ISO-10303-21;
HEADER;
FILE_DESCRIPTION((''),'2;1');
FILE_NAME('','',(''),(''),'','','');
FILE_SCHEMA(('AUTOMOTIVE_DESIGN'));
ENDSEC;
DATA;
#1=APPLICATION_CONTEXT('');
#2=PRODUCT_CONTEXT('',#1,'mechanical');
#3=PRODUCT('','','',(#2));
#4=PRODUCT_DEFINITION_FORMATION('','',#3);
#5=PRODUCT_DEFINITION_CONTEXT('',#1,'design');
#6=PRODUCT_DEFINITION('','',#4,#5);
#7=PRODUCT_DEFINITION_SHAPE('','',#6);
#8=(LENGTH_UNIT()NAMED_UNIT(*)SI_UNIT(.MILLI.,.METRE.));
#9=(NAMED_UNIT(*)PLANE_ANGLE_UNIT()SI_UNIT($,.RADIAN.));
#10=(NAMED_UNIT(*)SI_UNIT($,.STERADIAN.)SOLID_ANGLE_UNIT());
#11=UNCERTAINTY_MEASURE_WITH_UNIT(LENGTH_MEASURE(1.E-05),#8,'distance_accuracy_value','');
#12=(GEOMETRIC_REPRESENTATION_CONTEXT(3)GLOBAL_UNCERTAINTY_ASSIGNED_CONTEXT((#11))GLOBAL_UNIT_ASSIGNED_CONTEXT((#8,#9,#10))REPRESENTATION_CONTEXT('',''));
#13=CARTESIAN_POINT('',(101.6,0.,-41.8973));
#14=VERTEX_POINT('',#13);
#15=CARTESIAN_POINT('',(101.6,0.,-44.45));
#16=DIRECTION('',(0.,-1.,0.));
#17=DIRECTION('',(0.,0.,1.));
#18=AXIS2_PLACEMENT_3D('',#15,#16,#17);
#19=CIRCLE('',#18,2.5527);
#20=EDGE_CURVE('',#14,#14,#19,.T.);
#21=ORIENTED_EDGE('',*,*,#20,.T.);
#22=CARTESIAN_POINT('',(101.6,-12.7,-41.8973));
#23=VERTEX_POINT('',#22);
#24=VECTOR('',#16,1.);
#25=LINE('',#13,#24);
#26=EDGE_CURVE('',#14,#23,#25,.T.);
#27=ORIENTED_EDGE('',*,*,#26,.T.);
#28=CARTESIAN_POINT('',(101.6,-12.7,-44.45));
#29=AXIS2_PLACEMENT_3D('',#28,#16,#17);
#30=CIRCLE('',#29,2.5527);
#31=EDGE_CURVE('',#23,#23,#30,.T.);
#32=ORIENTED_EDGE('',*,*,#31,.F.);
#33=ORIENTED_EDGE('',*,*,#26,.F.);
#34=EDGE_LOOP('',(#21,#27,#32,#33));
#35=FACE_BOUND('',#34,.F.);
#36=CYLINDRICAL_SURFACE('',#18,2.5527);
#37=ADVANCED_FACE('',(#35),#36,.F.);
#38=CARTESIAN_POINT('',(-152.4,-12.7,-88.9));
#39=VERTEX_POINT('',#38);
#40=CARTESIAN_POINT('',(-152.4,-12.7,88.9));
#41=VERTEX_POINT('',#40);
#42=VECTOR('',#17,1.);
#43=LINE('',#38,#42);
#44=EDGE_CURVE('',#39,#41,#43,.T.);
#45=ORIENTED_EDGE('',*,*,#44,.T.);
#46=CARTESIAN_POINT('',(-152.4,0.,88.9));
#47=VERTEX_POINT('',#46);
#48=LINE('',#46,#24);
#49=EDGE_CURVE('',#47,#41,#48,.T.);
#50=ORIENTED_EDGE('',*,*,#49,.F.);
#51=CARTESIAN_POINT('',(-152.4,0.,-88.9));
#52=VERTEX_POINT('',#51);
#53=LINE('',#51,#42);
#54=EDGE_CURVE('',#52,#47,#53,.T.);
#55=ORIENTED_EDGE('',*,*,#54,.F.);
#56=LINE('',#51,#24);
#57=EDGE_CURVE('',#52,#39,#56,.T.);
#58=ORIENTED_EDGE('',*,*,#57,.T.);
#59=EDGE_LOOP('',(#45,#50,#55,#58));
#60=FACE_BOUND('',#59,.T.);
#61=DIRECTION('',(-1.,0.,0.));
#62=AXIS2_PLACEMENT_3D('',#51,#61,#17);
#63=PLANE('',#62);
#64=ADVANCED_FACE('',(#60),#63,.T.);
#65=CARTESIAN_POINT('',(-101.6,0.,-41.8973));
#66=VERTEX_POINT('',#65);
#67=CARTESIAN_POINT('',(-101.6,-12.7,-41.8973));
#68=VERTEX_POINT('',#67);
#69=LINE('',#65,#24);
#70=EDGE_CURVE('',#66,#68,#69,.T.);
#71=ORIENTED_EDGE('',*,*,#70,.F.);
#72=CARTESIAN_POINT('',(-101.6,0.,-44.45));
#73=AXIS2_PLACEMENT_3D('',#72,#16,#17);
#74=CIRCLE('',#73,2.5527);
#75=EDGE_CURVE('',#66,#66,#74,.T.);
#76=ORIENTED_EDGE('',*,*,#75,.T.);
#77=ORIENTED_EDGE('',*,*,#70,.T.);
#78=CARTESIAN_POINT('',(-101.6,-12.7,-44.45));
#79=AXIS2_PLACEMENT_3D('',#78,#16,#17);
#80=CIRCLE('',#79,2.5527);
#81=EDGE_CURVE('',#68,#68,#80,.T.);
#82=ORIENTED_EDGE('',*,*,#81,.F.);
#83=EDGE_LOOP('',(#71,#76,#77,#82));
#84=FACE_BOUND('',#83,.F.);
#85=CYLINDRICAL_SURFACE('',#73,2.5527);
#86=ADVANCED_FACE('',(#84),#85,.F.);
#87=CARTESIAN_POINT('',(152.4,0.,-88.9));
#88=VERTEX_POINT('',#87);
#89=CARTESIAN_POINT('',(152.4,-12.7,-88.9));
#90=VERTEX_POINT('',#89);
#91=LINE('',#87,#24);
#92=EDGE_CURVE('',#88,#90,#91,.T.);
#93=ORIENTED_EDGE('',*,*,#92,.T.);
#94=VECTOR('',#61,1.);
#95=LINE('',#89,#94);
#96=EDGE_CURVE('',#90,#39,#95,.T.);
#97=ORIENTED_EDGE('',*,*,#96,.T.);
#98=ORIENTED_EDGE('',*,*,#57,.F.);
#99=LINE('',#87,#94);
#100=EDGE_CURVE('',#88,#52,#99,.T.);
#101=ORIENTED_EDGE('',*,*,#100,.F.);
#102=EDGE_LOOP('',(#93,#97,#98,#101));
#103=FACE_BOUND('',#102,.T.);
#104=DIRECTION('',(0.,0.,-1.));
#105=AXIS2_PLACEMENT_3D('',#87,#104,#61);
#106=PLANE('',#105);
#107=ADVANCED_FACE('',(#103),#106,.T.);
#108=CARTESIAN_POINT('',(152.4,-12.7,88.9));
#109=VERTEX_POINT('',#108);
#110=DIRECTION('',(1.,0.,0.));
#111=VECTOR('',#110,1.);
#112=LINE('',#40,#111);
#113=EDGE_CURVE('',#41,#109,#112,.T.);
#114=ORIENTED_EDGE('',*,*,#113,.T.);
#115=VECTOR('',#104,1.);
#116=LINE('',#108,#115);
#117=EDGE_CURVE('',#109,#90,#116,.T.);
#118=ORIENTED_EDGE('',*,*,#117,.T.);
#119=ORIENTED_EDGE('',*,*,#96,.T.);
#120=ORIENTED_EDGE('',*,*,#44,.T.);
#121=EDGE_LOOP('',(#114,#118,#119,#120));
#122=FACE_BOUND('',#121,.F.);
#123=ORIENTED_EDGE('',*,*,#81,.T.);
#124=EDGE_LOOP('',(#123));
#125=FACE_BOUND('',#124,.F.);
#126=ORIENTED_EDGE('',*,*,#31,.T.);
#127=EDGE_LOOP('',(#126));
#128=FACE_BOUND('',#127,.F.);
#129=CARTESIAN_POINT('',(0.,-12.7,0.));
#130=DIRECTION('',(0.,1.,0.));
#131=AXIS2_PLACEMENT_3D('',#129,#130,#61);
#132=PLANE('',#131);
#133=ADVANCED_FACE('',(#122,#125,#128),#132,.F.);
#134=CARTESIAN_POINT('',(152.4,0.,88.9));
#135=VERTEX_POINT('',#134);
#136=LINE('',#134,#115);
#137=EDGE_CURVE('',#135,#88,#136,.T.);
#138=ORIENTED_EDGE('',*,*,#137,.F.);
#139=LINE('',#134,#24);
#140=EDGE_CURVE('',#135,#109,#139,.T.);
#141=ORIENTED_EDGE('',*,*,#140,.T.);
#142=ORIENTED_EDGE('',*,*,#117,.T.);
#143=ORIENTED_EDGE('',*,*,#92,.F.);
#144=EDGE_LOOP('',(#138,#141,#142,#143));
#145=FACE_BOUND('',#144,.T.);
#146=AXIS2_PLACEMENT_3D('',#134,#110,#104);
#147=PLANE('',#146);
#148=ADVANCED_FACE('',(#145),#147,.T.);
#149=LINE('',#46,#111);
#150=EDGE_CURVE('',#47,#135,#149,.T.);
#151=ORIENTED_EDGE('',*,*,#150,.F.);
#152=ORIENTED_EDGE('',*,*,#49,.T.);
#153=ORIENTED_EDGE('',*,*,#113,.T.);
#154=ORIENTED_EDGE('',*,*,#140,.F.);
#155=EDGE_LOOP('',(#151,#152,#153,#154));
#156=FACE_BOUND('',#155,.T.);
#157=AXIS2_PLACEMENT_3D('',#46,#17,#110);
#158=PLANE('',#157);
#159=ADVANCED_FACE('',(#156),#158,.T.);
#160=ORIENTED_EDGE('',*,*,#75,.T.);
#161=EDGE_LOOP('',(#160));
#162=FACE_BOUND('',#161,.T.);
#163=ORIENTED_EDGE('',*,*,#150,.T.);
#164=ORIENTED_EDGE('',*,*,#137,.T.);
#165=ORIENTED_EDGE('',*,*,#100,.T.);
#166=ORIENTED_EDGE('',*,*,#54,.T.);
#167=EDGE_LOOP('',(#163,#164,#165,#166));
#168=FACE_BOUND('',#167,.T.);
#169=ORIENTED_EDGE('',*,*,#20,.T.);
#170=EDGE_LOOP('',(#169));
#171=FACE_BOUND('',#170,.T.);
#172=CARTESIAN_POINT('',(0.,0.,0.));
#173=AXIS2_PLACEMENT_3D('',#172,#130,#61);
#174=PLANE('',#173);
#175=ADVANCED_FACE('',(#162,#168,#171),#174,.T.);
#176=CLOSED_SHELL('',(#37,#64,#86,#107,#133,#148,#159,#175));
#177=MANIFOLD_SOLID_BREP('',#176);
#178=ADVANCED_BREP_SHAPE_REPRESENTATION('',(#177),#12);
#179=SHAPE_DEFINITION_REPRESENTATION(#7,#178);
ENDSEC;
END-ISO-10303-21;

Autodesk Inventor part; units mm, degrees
ref_plane "YZ Plane" through (0, 0, 0) normal (1, 0, 0) x (0, 1, 0)
ref_plane "XZ Plane" through (0, 0, 0) normal (0, 1, 0) x (-1, 0, 0)
ref_plane "XY Plane" through (0, 0, 0) normal (0, 0, 1) x (1, 0, 0)
sketch "Sketch1" plane through (0, 0, 0) normal (0, 1, 0) x (-1, 0, 0)
  line L0 (152.4, 88.9) -> (-152.4, 88.9)
  line L1 (-152.4, 88.9) -> (-152.4, -88.9)
  line L2 (-152.4, -88.9) -> (152.4, -88.9)
  line L3 (152.4, -88.9) -> (152.4, 88.9)
  line L4 (152.4, 88.9) -> (-152.4, -88.9) construction
  line L5 (-152.4, 88.9) -> (152.4, -88.9) construction
  point P0 (0, 0)
  dimension "width" = 304.8
  dimension "depth" = 177.8
extrude "Extrusion1" add sketch "Sketch1" against normal blind 12.7
sketch "Sketch2" plane through (0, 0, 0) normal (0, 1, 0) x (1, 0, 0)
  line L0 (-152.4, 88.9) -> (-152.4, -88.9) construction
  line L1 (152.4, -88.9) -> (152.4, 88.9) construction
  line L2 (-152.4, -88.9) -> (-152.4, 88.9) construction
  line L3 (-152.4, 44.45) -> (152.4, 44.45) construction
  line L4 (152.4, 88.9) -> (152.4, -88.9) construction
  line L5 (152.4, 88.9) -> (-152.4, 88.9) construction
  line L6 (-101.6, 44.45) -> (-101.6, 88.9) construction
  line L7 (101.6, 44.45) -> (101.6, 88.9) construction
  point P0 (0, 0)
  dimension "centerLineForAirTank" = 44.45
  dimension "distanceFromEndForAirTankBracket" = 50.8
  dimension "d6" = 50.8
hole "Hole1" at (-101.6, 0, -44.45) at (101.6, 0, -44.45) direction (0, -1, 0) diameter 5.1054 end through all clearance for "Hex Machine Screw" size "#10" standard "Ansi Unified Screw Threads"
equation "\"d6\" = distanceFromEndForAirTankBracket"
properties part number "plywoodBasePlate" material "Wood (Birch)"
